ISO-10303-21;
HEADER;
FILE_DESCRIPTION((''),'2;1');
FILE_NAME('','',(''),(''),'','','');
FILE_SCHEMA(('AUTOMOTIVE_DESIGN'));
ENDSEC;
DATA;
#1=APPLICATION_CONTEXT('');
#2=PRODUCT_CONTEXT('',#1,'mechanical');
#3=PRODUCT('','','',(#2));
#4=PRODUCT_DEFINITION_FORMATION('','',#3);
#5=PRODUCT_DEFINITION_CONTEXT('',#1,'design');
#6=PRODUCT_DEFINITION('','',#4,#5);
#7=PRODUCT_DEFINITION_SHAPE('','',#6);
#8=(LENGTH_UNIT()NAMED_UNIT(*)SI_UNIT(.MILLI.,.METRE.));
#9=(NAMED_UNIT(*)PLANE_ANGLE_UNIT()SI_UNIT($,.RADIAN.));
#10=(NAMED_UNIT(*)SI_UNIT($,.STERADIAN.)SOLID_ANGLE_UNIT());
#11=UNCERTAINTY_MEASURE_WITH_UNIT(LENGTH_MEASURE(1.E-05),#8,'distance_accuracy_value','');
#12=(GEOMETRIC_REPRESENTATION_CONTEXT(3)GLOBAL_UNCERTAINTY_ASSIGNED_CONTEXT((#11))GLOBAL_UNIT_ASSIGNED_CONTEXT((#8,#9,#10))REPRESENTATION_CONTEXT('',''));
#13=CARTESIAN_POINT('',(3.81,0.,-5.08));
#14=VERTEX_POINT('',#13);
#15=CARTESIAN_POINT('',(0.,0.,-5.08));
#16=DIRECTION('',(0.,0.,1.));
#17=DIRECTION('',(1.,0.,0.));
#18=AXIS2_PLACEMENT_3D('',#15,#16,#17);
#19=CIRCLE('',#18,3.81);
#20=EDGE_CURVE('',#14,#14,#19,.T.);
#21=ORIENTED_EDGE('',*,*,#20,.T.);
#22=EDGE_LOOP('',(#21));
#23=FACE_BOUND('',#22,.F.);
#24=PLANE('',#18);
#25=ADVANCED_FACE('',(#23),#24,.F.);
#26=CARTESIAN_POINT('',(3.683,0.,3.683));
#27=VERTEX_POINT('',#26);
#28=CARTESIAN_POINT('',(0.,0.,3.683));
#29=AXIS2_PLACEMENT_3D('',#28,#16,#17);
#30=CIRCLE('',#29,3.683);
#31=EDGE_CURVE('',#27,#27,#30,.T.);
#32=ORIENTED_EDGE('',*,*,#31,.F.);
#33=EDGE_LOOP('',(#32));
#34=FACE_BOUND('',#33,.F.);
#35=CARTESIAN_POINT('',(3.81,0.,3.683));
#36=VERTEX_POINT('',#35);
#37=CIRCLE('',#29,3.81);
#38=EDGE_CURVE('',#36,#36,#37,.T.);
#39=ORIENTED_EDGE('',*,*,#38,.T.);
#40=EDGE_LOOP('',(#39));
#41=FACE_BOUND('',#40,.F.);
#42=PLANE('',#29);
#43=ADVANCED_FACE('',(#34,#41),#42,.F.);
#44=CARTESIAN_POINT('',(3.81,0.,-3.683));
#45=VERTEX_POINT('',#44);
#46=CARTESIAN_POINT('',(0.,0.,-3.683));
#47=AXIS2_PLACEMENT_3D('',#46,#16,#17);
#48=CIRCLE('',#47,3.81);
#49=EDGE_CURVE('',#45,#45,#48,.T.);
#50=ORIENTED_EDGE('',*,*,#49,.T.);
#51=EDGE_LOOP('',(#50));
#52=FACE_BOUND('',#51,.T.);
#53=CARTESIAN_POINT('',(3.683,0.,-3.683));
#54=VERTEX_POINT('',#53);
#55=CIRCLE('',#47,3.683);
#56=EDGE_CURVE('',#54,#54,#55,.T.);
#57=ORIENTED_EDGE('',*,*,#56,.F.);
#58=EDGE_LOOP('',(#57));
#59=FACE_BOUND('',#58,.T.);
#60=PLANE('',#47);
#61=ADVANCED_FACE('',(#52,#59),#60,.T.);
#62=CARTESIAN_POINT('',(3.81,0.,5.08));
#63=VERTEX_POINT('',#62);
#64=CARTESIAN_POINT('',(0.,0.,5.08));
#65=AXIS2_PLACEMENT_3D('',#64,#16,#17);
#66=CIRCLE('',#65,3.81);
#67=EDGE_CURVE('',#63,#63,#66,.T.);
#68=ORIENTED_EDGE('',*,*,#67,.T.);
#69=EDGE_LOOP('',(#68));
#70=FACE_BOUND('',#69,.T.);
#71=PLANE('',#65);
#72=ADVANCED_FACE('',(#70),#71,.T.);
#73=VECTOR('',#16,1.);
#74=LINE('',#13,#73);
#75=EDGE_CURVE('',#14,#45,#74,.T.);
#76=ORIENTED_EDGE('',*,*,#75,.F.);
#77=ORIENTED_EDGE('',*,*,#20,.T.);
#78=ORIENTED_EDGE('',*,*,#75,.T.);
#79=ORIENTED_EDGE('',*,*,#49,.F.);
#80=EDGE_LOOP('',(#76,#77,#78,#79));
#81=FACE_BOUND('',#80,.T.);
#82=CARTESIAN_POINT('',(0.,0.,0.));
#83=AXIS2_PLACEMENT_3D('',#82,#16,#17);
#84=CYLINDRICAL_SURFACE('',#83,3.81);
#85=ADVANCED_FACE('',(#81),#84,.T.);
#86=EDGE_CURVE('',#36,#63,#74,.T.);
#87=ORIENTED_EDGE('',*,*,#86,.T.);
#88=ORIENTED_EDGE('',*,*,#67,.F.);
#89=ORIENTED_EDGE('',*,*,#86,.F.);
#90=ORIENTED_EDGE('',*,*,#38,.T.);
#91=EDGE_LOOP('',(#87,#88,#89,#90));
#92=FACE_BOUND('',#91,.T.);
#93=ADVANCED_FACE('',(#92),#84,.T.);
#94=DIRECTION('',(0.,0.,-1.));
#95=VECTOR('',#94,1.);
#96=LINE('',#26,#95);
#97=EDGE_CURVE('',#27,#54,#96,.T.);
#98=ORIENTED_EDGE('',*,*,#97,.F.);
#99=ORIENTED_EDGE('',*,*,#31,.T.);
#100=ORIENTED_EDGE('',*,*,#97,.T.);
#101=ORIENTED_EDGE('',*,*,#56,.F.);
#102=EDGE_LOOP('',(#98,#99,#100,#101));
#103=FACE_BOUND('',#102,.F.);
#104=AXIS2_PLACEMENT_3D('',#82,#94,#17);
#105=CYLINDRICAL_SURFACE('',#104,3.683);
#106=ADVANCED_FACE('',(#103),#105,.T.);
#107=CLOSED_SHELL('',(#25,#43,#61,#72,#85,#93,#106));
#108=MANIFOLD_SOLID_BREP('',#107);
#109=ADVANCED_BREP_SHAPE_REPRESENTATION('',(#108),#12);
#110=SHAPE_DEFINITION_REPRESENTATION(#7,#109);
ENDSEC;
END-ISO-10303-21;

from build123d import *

# Parameters (mm, degrees)
F0_R     = 3.81
F0_R_2   = 3.683
F1_DEPTH = 5.08
F2_DEPTH = 3.683


with BuildPart() as f1:
    # F0 (on Top) → F1 (new body, symmetric)
    with BuildSketch(Plane.XY):
        Circle(F0_R)
        Circle(F0_R_2, mode=Mode.SUBTRACT)
        Circle(F0_R_2)
    extrude(amount=F1_DEPTH, both=True)

    # F0 (on Top) → F2 (cut, symmetric)
    with BuildSketch(Plane.XY):
        Circle(F0_R)
        Circle(F0_R_2, mode=Mode.SUBTRACT)
    extrude(amount=F2_DEPTH, both=True, mode=Mode.SUBTRACT)


solid = f1.part
